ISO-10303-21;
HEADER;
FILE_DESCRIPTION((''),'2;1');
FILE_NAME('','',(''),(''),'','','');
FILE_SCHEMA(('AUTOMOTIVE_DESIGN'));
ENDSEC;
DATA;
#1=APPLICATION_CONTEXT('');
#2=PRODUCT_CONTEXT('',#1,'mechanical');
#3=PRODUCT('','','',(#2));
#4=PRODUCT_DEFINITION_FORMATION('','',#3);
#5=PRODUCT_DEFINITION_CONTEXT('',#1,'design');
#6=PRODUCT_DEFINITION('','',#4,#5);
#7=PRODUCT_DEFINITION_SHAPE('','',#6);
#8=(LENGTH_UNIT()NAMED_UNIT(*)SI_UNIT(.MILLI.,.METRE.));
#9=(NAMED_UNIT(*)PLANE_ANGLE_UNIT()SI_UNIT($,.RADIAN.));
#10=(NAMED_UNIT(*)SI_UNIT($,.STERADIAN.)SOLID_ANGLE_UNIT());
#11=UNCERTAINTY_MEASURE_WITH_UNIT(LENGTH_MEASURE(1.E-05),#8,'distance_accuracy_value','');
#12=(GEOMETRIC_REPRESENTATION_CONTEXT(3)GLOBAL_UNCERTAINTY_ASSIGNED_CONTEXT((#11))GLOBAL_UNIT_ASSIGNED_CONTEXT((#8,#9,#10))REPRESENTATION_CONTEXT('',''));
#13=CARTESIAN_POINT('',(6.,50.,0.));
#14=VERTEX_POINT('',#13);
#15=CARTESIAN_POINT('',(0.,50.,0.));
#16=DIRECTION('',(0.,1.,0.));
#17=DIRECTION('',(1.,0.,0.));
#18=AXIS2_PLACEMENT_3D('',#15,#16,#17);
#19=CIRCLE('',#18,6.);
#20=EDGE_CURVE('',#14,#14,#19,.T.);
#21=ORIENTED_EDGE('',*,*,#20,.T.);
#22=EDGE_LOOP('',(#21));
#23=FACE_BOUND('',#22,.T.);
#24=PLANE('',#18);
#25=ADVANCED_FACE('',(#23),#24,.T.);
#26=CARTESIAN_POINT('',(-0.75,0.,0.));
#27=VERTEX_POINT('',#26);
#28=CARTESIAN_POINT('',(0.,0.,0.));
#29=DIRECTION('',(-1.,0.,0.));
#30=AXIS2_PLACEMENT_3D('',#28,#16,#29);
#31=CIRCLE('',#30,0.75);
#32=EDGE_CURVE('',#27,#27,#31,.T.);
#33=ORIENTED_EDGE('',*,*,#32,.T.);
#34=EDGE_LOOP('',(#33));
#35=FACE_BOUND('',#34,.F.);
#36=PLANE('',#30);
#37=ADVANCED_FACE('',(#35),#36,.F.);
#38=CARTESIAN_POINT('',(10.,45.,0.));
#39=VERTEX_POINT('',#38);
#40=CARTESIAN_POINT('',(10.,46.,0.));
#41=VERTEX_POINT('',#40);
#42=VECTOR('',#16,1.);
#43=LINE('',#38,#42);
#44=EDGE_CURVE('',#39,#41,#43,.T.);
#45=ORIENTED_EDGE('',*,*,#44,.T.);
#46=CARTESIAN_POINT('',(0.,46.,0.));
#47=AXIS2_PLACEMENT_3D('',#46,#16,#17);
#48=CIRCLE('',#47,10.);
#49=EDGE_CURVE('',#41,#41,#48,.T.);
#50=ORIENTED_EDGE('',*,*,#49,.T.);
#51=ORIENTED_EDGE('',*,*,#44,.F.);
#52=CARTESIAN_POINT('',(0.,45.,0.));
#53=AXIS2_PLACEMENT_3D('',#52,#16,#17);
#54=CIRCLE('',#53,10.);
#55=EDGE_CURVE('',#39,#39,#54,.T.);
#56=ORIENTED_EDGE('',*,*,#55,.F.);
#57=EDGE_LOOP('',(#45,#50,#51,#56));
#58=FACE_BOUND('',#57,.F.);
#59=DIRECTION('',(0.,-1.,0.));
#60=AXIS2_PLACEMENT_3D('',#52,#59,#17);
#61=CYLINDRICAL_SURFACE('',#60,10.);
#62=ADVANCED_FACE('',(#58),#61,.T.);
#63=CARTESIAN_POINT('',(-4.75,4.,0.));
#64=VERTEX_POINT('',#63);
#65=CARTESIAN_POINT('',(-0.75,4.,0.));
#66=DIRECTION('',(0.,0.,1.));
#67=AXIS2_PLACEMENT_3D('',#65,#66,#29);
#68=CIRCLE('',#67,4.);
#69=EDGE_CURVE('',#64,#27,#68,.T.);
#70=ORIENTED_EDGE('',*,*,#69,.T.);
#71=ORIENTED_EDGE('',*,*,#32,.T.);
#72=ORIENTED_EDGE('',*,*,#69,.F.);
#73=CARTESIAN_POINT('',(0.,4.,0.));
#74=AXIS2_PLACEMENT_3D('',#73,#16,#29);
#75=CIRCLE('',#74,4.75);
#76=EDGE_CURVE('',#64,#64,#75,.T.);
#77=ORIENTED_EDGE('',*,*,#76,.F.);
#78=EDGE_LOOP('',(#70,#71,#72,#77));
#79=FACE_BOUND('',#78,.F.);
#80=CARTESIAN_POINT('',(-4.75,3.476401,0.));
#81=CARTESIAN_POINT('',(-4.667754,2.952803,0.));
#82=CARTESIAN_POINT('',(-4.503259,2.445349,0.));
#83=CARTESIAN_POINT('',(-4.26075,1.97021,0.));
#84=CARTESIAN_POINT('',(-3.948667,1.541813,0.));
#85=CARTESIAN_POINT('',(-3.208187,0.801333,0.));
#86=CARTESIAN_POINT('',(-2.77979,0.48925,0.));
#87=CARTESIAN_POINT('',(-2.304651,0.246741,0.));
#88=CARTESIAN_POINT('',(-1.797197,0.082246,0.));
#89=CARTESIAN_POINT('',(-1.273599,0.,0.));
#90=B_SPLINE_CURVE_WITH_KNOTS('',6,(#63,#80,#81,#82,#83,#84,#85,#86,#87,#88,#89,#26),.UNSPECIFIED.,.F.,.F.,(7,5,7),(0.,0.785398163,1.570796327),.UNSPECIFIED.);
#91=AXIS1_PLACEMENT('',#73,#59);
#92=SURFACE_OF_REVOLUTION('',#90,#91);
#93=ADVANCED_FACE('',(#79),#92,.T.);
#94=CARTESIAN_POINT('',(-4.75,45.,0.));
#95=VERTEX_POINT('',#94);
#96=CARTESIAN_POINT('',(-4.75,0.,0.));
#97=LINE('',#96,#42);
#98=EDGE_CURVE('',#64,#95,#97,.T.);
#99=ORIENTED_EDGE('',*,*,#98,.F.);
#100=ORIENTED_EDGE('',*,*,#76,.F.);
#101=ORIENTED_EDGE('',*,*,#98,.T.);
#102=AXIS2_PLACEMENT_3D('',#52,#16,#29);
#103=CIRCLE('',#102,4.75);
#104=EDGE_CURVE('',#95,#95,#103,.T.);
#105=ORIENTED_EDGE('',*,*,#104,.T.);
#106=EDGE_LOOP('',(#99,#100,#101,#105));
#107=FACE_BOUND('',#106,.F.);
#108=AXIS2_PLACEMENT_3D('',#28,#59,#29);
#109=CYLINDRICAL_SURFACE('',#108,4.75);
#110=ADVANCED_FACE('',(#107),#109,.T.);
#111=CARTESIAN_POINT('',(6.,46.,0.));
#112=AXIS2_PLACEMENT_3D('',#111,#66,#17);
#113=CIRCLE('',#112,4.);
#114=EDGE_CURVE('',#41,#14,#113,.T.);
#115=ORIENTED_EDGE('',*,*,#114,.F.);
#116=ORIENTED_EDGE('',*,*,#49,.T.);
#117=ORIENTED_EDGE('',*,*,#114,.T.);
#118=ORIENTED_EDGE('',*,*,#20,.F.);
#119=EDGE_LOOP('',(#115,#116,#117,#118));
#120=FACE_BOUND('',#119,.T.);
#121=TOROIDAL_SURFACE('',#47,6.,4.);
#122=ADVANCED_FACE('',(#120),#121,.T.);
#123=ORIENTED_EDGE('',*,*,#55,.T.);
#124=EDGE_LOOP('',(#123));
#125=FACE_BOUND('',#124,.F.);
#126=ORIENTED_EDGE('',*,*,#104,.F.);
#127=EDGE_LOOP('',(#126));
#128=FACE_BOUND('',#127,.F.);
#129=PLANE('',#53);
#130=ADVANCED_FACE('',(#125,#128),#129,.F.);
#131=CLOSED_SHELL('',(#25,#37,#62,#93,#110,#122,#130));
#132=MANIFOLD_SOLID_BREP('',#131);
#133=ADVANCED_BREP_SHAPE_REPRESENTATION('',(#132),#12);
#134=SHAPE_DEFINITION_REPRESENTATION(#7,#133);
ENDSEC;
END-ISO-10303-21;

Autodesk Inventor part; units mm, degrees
ref_plane "YZ Plane" through (0, 0, 0) normal (1, 0, 0) x (0, 1, 0)
ref_plane "XZ Plane" through (0, 0, 0) normal (0, 1, 0) x (-1, 0, 0)
ref_plane "XY Plane" through (0, 0, 0) normal (0, 0, 1) x (1, 0, 0)
sketch "Sketch1" plane through (0, 0, 0) normal (0, 1, 0) x (-1, 0, 0)
  circle A0 centre (0, 0) radius 4.75
  dimension "d0" = 9.5
extrude "Extrusion1" add sketch "Sketch1" along normal blind 45
sketch "Sketch2" plane through (0, 45, 0) normal (0, 1, 0) x (1, 0, 0)
  circle A0 centre (0, 0) radius 10
  dimension "d3" = 20
extrude "Extrusion2" add sketch "Sketch2" along normal blind 5
fillet "Fillet1" radius 4 1 edges at (4.75, 0, 0)
fillet "Fillet2" radius 4 1 edges at (-10, 50, 0)
equation "\"BendRadius\" = Thickness"
equation "\"BendReliefWidth\" = Thickness"
equation "\"BendReliefDepth\" = 0.5 * Thickness"
equation "\"CornerReliefSize\" = 4 * Thickness"
equation "\"MinimumRemnant\" = 2 * Thickness"
equation "\"TransitionRadius\" = BendRadius"
equation "\"JacobiRadiusSize\" = BendRadius"
equation "\"GapSize\" = Thickness"
equation "\"Thickness\" = 0.5"
